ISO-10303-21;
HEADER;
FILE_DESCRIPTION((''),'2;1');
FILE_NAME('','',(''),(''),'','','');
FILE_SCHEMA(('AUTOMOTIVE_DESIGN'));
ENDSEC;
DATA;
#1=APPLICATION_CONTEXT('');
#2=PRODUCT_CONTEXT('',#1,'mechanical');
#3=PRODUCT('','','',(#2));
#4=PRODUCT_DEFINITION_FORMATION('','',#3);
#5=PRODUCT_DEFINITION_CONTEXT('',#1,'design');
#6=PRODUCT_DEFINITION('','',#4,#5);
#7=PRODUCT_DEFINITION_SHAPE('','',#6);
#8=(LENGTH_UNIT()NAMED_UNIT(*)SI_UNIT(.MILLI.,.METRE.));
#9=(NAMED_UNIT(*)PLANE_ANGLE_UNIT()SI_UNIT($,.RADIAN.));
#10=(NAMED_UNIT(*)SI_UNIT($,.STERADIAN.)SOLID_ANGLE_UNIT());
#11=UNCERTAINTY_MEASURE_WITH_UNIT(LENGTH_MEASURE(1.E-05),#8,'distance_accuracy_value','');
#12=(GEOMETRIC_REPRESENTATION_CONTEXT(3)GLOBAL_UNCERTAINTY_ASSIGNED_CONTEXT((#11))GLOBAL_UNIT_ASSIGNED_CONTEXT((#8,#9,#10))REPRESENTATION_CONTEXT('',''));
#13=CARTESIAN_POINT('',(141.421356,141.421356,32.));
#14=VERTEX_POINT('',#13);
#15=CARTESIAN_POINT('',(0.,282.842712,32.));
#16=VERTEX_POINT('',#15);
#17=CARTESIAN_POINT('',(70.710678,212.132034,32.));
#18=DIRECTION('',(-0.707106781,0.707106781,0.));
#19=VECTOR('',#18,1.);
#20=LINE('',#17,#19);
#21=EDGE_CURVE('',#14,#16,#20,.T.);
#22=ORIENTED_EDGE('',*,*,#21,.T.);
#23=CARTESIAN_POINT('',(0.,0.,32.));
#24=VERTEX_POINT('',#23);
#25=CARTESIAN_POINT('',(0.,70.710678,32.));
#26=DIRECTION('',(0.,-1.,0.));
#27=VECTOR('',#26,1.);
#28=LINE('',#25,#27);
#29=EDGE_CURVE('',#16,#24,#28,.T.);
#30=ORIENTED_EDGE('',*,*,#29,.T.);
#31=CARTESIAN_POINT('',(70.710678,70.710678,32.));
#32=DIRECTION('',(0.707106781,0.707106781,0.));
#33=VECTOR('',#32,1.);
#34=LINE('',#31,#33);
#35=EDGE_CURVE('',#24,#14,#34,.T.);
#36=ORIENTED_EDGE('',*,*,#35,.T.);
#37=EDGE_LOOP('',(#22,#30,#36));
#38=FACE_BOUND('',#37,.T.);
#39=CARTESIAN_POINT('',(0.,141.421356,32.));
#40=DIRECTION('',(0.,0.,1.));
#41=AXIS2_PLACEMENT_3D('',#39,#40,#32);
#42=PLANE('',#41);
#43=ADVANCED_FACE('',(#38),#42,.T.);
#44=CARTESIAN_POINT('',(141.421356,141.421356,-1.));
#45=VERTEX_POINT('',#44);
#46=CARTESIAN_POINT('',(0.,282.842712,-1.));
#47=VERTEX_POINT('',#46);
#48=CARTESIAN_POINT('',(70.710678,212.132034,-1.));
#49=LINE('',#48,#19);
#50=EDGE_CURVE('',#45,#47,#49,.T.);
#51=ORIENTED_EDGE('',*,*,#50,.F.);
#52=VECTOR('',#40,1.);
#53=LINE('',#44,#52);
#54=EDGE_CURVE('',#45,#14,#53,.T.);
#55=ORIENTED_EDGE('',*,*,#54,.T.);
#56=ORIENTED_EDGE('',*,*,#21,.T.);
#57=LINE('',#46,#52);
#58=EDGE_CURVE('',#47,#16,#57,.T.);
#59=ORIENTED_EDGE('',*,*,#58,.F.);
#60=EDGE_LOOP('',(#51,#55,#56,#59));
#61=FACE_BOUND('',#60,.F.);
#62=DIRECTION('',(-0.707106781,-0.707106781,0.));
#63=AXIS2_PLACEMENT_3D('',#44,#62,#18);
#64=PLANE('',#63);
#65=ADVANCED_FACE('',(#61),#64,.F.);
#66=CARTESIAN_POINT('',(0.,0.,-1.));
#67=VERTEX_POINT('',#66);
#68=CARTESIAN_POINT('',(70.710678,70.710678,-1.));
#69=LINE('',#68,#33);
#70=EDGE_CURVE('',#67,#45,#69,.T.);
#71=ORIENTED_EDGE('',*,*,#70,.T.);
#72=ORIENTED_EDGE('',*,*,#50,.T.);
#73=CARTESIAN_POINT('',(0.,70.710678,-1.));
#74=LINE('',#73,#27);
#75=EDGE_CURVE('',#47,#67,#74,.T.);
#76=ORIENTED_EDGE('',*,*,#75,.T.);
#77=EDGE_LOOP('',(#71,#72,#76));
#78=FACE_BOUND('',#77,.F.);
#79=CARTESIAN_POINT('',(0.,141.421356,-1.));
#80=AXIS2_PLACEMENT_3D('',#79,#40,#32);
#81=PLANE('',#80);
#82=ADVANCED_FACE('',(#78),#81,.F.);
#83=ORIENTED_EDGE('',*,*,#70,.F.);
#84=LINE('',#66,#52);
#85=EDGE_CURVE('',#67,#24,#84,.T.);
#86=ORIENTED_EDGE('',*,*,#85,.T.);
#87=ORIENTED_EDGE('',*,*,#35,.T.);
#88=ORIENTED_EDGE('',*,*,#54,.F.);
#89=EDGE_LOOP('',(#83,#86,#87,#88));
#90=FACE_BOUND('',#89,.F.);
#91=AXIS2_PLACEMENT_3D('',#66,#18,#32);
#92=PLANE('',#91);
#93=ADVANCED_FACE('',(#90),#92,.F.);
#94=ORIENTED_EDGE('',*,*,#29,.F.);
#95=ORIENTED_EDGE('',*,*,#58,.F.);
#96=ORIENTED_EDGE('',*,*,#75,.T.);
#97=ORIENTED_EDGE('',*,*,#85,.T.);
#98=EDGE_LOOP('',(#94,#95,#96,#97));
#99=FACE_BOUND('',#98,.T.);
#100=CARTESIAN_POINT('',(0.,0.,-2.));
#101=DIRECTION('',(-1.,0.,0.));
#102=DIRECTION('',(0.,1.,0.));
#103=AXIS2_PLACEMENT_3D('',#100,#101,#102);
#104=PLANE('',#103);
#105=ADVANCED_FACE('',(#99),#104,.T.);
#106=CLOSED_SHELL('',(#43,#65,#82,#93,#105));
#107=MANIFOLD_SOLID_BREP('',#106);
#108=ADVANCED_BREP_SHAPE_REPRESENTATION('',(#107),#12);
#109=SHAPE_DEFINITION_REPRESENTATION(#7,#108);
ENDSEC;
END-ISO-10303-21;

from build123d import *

# Parameters (mm, degrees)
BOX_W                  = 313
BOX_H                  = 200
BOX_DEPTH              = 37
BOX_PLACEMENT_ANGLE    = 45
BOX008_W               = 200
BOX008_H               = 200
BOX008_DEPTH           = 33
CUT007_PLACEMENT_ANGLE = 45


with BuildPart() as cube002:
    # Box → Box (new body)
    with BuildSketch(Plane.XY):
        with Locations((156.5, 100)):
            Rectangle(BOX_W, BOX_H)
    extrude(amount=BOX_DEPTH)


with BuildPart() as cube002_1:
    # Box placement: moved
    add(cube002.part.moved(Location((0, 0, -2))).rotate(Axis((0, 0, -2), (0, 0, 1)), BOX_PLACEMENT_ANGLE))


with BuildPart() as short_45a:
    # Box008 → Box008 (new body)
    with BuildSketch(Plane.XY.offset(-1)):
        with Locations((100, 100)):
            Rectangle(BOX008_W, BOX008_H)
    extrude(amount=BOX008_DEPTH)

    # Cut007: cut Cube002
    add(cube002_1.part, mode=Mode.SUBTRACT)


with BuildPart() as short_45a_1:
    # Cut007 placement: moved
    add(short_45a.part.rotate(Axis((0, 0, 0), (0, 0, 1)), CUT007_PLACEMENT_ANGLE))


solid = short_45a_1.part
